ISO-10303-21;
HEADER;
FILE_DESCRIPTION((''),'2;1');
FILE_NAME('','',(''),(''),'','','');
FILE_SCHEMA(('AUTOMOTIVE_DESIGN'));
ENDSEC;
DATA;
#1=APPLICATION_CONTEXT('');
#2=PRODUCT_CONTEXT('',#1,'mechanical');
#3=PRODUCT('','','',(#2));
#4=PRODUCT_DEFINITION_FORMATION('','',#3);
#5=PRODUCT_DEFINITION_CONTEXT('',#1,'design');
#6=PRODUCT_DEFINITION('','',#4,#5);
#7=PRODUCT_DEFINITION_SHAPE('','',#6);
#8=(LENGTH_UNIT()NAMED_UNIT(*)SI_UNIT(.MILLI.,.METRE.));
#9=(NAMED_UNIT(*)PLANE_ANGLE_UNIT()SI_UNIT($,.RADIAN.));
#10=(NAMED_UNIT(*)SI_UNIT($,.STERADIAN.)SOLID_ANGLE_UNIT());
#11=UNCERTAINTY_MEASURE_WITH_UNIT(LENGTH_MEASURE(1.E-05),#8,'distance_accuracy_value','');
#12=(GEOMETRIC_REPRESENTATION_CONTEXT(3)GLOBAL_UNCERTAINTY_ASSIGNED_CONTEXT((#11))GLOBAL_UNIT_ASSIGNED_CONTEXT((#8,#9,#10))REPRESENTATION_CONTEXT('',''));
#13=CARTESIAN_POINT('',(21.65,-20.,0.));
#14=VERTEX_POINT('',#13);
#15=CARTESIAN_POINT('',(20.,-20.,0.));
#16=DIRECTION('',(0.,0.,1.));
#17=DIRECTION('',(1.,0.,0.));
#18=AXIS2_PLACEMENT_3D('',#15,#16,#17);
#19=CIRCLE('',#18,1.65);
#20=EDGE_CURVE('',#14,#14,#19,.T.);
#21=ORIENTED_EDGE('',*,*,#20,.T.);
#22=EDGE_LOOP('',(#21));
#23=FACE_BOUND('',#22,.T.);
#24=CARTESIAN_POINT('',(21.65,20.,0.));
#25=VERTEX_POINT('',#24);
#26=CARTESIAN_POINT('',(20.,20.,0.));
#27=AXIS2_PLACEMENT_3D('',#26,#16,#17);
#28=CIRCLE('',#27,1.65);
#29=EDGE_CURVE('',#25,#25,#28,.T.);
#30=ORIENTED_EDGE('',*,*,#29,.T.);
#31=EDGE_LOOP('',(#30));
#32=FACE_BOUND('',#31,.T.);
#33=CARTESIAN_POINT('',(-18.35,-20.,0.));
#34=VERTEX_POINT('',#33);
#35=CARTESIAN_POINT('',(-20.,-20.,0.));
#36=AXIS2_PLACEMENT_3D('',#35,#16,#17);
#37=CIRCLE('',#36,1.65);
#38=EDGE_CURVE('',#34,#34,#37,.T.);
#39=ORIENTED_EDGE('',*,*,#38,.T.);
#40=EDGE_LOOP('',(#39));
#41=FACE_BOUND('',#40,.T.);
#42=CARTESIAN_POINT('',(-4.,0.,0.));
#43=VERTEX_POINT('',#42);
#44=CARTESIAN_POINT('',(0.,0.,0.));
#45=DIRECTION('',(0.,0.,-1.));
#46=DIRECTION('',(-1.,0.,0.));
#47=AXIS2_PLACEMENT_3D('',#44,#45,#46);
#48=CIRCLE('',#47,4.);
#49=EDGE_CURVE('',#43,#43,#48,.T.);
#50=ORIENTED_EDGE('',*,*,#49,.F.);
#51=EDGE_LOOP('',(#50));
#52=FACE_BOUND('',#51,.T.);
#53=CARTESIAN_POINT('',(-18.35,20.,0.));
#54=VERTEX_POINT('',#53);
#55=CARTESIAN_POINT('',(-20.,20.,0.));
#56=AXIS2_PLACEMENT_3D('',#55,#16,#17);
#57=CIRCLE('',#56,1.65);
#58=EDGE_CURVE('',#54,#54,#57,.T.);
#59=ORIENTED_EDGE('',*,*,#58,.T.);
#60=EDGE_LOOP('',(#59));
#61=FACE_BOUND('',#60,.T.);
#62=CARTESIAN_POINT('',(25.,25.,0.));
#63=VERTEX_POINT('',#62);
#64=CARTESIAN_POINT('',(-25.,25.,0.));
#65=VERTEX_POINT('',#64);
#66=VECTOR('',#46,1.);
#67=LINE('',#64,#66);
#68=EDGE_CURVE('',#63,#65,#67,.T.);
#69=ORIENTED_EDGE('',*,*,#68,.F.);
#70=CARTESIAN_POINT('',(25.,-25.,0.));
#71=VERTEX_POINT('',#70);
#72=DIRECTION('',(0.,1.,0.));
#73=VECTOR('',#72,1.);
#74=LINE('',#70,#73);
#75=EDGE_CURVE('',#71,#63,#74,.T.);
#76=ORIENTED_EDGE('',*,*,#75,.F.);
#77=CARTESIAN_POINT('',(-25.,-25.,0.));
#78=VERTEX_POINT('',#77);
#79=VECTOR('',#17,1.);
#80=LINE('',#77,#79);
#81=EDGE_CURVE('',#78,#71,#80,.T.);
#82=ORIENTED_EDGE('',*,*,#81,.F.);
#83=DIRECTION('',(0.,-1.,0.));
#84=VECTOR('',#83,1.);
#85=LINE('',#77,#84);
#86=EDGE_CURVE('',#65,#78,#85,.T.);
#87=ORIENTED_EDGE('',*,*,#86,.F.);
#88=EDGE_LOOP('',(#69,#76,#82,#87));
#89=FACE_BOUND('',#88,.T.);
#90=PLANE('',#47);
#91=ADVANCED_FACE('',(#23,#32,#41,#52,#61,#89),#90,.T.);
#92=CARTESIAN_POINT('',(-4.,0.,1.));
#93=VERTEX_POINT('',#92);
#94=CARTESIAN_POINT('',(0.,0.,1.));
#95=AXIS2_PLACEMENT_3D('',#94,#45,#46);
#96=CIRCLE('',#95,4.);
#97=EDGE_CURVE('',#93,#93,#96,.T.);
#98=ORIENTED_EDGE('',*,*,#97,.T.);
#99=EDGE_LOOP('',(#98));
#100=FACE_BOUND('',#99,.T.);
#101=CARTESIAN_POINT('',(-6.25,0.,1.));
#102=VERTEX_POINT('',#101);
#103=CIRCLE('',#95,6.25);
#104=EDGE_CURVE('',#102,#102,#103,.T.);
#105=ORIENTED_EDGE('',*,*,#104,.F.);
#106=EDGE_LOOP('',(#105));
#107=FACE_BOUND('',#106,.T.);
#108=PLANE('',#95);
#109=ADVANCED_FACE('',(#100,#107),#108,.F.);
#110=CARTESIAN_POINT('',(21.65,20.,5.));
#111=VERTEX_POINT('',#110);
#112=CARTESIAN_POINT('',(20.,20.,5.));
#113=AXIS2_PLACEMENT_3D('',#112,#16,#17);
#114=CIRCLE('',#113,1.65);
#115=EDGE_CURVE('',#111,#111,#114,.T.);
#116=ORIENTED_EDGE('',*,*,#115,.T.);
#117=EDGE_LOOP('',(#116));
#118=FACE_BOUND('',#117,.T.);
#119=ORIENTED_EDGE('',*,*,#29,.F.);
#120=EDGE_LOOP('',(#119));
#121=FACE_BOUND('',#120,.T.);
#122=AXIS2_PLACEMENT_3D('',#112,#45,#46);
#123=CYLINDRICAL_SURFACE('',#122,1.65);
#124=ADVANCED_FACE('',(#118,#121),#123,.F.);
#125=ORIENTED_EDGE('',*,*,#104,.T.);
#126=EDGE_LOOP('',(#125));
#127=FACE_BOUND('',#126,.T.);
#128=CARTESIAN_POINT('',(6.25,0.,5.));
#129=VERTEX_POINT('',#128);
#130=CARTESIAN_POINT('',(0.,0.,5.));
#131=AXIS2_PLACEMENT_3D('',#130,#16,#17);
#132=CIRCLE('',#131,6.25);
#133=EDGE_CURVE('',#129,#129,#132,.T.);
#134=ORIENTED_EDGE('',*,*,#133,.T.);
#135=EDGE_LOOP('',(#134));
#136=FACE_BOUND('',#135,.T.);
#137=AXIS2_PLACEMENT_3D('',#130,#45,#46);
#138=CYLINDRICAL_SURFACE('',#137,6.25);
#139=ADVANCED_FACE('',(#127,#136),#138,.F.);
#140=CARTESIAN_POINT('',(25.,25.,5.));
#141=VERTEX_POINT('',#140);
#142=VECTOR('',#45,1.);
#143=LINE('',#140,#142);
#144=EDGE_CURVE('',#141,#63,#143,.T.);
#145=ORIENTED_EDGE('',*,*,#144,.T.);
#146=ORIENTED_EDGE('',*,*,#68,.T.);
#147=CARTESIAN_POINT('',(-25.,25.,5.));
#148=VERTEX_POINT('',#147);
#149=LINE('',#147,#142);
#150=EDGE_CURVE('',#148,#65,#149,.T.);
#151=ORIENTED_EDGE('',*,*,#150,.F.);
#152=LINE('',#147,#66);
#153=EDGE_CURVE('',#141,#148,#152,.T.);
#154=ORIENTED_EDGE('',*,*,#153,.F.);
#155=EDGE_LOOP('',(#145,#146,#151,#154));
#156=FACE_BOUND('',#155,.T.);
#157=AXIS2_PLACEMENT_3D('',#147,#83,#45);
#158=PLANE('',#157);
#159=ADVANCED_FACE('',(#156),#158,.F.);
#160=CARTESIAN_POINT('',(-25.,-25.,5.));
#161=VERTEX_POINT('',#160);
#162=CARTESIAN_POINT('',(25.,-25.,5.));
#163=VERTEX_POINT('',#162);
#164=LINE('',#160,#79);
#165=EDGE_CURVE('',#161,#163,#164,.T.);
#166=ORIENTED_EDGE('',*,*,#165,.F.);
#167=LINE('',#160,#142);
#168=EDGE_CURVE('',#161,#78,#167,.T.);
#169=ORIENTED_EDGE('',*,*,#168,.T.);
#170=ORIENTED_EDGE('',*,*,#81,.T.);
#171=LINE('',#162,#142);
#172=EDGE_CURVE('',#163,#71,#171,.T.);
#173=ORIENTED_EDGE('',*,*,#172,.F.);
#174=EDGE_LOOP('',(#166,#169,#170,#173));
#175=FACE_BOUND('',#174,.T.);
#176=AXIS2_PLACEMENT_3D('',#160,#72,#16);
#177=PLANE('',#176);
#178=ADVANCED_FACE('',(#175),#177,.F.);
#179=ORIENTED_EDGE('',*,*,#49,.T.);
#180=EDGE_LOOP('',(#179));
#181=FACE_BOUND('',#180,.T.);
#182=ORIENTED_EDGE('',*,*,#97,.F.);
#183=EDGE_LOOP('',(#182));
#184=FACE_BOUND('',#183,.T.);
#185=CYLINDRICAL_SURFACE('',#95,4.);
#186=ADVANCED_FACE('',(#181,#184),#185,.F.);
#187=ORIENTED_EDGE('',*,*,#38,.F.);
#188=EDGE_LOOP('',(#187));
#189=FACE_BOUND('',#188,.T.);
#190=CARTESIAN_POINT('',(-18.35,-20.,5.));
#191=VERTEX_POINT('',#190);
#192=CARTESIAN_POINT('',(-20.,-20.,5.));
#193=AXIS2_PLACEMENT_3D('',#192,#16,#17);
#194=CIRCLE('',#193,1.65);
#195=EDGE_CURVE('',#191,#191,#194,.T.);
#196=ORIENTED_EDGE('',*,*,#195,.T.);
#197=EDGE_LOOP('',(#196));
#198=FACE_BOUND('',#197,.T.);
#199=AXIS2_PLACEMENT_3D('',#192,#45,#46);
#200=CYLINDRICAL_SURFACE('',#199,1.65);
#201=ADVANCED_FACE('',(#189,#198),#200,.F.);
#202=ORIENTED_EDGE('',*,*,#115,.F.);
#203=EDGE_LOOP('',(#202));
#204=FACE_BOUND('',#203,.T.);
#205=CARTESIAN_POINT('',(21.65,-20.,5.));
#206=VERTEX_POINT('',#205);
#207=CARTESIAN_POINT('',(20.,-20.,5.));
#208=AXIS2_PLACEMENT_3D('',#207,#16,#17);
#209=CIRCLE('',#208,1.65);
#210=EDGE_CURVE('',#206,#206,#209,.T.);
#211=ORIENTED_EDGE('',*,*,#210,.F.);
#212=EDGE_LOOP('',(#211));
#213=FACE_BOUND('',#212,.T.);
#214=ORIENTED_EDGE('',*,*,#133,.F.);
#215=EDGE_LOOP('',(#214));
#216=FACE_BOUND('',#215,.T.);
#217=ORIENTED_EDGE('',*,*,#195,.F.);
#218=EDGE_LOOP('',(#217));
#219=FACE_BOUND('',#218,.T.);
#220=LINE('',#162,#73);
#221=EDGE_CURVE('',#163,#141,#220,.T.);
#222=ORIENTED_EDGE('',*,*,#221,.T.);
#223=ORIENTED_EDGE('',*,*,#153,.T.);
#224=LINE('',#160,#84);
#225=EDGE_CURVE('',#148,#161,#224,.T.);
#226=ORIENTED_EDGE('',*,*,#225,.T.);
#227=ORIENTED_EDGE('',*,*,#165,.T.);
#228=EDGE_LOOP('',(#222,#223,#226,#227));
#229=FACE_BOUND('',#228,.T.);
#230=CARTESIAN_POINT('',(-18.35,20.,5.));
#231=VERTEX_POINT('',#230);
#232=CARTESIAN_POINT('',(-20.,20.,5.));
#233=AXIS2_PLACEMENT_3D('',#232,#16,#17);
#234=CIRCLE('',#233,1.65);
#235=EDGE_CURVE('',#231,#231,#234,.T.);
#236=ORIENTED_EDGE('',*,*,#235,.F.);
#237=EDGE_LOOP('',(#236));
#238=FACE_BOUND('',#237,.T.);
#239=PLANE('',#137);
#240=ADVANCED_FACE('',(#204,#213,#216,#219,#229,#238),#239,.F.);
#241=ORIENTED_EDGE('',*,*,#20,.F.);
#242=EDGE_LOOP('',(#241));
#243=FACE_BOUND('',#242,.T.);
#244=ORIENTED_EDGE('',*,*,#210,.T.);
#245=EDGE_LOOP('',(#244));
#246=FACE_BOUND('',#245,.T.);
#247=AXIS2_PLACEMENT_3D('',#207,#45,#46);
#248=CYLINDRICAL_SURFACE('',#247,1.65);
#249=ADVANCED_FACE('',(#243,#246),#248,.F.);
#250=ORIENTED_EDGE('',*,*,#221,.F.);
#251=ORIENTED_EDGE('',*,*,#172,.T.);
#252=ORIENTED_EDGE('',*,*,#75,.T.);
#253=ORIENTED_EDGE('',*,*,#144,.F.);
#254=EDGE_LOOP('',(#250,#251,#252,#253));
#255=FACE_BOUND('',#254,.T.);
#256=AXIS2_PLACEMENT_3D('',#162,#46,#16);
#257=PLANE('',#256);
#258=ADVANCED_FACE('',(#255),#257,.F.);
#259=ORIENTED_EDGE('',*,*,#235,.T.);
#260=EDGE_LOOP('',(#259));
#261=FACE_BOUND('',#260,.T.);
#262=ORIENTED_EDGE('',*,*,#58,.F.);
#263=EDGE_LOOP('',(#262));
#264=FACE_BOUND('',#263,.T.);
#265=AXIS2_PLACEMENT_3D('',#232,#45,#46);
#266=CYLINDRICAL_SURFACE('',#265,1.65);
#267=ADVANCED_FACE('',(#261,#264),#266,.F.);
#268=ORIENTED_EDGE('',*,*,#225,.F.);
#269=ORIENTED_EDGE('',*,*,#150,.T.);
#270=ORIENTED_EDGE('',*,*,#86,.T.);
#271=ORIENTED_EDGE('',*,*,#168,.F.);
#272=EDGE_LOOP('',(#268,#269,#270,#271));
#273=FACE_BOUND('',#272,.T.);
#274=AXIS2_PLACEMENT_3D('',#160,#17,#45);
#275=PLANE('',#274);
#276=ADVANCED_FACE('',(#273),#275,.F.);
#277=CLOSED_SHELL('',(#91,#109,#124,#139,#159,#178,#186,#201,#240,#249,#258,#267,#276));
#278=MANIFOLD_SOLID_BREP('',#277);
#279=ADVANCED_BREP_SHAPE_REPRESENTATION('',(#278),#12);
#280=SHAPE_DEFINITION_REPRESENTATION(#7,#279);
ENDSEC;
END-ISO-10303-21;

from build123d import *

# Parameters (mm, degrees)
SKETCH_1_W      = 50
SKETCH_1_H      = 50
SKETCH_1_R      = 1.65
SKETCH_1_R_2    = 6.25
EXTRUDE_1_DEPTH = 5
SKETCH_2_R      = 6.25
SKETCH_2_R_2    = 4
EXTRUDE_2_DEPTH = 1


with BuildPart() as part:
    # 草图1 → 凸台-拉伸1 (new body)
    with BuildSketch(Plane.XY):
        Rectangle(SKETCH_1_W, SKETCH_1_H)
        with Locations((-20, -20)):
            Circle(SKETCH_1_R, mode=Mode.SUBTRACT)
        with Locations((-20, 20)):
            Circle(SKETCH_1_R, mode=Mode.SUBTRACT)
        with Locations((20, 20)):
            Circle(SKETCH_1_R, mode=Mode.SUBTRACT)
        with Locations((20, -20)):
            Circle(SKETCH_1_R, mode=Mode.SUBTRACT)
        Circle(SKETCH_1_R_2, mode=Mode.SUBTRACT)
    extrude(amount=EXTRUDE_1_DEPTH)

    # 草图2 → 凸台-拉伸2 (add)
    with BuildSketch(Plane(origin=(0, 0, 0), x_dir=(-1, 0, 0), z_dir=(0, 0, -1))):
        Circle(SKETCH_2_R)
        Circle(SKETCH_2_R_2, mode=Mode.SUBTRACT)
    extrude(amount=-EXTRUDE_2_DEPTH)


solid = part.part
